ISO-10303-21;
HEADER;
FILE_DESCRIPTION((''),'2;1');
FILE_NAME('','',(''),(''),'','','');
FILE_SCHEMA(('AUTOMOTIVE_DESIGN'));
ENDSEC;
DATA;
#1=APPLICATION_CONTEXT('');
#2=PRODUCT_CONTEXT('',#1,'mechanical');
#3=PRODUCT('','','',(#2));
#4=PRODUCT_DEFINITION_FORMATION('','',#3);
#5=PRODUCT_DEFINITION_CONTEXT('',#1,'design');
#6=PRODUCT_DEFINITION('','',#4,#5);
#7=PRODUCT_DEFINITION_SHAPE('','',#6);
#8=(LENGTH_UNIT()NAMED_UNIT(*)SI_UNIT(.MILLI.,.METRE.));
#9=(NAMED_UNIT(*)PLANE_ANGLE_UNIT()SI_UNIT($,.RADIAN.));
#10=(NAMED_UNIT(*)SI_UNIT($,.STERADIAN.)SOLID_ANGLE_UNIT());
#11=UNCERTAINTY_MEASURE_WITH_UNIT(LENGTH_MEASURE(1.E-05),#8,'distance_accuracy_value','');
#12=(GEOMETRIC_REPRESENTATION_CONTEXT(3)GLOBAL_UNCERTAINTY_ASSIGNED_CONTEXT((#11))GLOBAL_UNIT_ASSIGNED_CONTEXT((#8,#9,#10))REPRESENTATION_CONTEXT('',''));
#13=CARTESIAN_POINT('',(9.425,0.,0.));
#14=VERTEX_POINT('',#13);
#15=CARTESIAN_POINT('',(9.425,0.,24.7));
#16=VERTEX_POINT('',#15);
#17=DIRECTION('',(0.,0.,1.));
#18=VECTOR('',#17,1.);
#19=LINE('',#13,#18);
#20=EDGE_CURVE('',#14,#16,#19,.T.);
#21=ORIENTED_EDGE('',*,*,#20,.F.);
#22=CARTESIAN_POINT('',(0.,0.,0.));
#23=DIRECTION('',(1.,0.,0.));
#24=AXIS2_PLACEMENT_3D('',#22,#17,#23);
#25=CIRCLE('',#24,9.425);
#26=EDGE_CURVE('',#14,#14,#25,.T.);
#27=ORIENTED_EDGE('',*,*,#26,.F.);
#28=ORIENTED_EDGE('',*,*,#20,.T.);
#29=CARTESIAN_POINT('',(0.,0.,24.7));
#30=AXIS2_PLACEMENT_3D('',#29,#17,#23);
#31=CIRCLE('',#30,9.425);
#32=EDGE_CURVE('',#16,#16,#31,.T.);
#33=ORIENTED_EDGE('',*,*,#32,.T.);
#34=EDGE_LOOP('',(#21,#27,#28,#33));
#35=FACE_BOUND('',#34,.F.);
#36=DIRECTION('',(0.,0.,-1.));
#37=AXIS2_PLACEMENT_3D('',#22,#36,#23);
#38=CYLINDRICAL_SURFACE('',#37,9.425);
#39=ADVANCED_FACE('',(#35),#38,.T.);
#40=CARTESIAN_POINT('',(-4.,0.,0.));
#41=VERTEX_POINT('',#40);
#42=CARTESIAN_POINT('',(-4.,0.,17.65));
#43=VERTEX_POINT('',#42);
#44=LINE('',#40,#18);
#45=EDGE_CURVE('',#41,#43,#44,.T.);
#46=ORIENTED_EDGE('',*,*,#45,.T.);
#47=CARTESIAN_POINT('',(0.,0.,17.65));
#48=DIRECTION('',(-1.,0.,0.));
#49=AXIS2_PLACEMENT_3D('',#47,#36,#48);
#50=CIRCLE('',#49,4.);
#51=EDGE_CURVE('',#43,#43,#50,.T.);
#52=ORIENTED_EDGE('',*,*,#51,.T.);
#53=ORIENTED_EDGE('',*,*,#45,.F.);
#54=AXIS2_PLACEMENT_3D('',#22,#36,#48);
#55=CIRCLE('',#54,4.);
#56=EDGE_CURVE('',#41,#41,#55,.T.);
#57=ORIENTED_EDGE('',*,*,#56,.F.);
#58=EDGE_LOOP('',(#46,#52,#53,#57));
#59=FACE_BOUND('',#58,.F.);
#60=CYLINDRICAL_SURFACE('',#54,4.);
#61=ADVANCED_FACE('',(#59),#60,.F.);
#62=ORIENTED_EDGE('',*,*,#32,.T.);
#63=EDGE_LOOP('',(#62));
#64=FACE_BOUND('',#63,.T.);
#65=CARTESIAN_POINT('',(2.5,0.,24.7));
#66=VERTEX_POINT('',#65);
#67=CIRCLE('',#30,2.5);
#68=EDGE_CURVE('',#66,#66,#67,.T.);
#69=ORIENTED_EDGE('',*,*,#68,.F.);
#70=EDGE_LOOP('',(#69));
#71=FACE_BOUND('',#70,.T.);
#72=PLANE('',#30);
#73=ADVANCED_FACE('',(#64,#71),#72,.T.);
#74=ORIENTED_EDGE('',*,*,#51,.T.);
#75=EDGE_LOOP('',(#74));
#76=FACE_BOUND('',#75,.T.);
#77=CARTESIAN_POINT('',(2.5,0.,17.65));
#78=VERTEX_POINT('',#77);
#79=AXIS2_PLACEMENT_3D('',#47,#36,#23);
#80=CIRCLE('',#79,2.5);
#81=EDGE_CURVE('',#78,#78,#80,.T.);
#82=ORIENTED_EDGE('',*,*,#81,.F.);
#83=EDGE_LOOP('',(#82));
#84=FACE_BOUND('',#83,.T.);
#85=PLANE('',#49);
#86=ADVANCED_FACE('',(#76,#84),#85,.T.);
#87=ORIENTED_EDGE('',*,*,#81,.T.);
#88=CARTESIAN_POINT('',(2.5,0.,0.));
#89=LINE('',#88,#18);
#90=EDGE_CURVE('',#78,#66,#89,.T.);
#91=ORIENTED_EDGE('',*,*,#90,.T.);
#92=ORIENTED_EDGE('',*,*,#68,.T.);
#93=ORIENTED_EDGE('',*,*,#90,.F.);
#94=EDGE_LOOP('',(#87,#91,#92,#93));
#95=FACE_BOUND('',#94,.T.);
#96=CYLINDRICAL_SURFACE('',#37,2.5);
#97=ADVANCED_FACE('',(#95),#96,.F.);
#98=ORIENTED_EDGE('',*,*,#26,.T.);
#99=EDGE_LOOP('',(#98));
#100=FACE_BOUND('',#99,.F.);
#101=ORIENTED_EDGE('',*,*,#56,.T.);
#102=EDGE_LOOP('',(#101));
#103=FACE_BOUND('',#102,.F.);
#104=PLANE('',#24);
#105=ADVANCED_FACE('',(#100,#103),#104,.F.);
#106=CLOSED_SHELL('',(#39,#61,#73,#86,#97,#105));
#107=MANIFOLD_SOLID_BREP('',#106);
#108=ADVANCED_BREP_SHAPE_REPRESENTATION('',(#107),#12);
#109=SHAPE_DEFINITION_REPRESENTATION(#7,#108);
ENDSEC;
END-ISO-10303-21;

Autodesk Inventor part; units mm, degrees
ref_plane "YZ Plane" through (0, 0, 0) normal (1, 0, 0) x (0, 1, 0)
ref_plane "XZ Plane" through (0, 0, 0) normal (0, 1, 0) x (-1, 0, 0)
ref_plane "XY Plane" through (0, 0, 0) normal (0, 0, 1) x (1, 0, 0)
sketch "Boceto1" plane through (0, 0, 0) normal (0, 0, 1) x (1, 0, 0)
  circle A0 centre (0, 0) radius 9.425
  circle A1 centre (0, 0) radius 2.5
  dimension "d0" = 18.85
  dimension "d1" = 5
extrude "Extrusión1" add sketch "Boceto1" along normal blind 24.7
sketch "Boceto3" plane through (0, 0, 0) normal (0, 0, -1) x (-1, 0, 0)
  circle A0 centre (0, 0) radius 4
  dimension "d4" = 8
extrude "Extrusión2" cut sketch "Boceto3" against normal blind 17.65
properties part number "001" material "Steel"
